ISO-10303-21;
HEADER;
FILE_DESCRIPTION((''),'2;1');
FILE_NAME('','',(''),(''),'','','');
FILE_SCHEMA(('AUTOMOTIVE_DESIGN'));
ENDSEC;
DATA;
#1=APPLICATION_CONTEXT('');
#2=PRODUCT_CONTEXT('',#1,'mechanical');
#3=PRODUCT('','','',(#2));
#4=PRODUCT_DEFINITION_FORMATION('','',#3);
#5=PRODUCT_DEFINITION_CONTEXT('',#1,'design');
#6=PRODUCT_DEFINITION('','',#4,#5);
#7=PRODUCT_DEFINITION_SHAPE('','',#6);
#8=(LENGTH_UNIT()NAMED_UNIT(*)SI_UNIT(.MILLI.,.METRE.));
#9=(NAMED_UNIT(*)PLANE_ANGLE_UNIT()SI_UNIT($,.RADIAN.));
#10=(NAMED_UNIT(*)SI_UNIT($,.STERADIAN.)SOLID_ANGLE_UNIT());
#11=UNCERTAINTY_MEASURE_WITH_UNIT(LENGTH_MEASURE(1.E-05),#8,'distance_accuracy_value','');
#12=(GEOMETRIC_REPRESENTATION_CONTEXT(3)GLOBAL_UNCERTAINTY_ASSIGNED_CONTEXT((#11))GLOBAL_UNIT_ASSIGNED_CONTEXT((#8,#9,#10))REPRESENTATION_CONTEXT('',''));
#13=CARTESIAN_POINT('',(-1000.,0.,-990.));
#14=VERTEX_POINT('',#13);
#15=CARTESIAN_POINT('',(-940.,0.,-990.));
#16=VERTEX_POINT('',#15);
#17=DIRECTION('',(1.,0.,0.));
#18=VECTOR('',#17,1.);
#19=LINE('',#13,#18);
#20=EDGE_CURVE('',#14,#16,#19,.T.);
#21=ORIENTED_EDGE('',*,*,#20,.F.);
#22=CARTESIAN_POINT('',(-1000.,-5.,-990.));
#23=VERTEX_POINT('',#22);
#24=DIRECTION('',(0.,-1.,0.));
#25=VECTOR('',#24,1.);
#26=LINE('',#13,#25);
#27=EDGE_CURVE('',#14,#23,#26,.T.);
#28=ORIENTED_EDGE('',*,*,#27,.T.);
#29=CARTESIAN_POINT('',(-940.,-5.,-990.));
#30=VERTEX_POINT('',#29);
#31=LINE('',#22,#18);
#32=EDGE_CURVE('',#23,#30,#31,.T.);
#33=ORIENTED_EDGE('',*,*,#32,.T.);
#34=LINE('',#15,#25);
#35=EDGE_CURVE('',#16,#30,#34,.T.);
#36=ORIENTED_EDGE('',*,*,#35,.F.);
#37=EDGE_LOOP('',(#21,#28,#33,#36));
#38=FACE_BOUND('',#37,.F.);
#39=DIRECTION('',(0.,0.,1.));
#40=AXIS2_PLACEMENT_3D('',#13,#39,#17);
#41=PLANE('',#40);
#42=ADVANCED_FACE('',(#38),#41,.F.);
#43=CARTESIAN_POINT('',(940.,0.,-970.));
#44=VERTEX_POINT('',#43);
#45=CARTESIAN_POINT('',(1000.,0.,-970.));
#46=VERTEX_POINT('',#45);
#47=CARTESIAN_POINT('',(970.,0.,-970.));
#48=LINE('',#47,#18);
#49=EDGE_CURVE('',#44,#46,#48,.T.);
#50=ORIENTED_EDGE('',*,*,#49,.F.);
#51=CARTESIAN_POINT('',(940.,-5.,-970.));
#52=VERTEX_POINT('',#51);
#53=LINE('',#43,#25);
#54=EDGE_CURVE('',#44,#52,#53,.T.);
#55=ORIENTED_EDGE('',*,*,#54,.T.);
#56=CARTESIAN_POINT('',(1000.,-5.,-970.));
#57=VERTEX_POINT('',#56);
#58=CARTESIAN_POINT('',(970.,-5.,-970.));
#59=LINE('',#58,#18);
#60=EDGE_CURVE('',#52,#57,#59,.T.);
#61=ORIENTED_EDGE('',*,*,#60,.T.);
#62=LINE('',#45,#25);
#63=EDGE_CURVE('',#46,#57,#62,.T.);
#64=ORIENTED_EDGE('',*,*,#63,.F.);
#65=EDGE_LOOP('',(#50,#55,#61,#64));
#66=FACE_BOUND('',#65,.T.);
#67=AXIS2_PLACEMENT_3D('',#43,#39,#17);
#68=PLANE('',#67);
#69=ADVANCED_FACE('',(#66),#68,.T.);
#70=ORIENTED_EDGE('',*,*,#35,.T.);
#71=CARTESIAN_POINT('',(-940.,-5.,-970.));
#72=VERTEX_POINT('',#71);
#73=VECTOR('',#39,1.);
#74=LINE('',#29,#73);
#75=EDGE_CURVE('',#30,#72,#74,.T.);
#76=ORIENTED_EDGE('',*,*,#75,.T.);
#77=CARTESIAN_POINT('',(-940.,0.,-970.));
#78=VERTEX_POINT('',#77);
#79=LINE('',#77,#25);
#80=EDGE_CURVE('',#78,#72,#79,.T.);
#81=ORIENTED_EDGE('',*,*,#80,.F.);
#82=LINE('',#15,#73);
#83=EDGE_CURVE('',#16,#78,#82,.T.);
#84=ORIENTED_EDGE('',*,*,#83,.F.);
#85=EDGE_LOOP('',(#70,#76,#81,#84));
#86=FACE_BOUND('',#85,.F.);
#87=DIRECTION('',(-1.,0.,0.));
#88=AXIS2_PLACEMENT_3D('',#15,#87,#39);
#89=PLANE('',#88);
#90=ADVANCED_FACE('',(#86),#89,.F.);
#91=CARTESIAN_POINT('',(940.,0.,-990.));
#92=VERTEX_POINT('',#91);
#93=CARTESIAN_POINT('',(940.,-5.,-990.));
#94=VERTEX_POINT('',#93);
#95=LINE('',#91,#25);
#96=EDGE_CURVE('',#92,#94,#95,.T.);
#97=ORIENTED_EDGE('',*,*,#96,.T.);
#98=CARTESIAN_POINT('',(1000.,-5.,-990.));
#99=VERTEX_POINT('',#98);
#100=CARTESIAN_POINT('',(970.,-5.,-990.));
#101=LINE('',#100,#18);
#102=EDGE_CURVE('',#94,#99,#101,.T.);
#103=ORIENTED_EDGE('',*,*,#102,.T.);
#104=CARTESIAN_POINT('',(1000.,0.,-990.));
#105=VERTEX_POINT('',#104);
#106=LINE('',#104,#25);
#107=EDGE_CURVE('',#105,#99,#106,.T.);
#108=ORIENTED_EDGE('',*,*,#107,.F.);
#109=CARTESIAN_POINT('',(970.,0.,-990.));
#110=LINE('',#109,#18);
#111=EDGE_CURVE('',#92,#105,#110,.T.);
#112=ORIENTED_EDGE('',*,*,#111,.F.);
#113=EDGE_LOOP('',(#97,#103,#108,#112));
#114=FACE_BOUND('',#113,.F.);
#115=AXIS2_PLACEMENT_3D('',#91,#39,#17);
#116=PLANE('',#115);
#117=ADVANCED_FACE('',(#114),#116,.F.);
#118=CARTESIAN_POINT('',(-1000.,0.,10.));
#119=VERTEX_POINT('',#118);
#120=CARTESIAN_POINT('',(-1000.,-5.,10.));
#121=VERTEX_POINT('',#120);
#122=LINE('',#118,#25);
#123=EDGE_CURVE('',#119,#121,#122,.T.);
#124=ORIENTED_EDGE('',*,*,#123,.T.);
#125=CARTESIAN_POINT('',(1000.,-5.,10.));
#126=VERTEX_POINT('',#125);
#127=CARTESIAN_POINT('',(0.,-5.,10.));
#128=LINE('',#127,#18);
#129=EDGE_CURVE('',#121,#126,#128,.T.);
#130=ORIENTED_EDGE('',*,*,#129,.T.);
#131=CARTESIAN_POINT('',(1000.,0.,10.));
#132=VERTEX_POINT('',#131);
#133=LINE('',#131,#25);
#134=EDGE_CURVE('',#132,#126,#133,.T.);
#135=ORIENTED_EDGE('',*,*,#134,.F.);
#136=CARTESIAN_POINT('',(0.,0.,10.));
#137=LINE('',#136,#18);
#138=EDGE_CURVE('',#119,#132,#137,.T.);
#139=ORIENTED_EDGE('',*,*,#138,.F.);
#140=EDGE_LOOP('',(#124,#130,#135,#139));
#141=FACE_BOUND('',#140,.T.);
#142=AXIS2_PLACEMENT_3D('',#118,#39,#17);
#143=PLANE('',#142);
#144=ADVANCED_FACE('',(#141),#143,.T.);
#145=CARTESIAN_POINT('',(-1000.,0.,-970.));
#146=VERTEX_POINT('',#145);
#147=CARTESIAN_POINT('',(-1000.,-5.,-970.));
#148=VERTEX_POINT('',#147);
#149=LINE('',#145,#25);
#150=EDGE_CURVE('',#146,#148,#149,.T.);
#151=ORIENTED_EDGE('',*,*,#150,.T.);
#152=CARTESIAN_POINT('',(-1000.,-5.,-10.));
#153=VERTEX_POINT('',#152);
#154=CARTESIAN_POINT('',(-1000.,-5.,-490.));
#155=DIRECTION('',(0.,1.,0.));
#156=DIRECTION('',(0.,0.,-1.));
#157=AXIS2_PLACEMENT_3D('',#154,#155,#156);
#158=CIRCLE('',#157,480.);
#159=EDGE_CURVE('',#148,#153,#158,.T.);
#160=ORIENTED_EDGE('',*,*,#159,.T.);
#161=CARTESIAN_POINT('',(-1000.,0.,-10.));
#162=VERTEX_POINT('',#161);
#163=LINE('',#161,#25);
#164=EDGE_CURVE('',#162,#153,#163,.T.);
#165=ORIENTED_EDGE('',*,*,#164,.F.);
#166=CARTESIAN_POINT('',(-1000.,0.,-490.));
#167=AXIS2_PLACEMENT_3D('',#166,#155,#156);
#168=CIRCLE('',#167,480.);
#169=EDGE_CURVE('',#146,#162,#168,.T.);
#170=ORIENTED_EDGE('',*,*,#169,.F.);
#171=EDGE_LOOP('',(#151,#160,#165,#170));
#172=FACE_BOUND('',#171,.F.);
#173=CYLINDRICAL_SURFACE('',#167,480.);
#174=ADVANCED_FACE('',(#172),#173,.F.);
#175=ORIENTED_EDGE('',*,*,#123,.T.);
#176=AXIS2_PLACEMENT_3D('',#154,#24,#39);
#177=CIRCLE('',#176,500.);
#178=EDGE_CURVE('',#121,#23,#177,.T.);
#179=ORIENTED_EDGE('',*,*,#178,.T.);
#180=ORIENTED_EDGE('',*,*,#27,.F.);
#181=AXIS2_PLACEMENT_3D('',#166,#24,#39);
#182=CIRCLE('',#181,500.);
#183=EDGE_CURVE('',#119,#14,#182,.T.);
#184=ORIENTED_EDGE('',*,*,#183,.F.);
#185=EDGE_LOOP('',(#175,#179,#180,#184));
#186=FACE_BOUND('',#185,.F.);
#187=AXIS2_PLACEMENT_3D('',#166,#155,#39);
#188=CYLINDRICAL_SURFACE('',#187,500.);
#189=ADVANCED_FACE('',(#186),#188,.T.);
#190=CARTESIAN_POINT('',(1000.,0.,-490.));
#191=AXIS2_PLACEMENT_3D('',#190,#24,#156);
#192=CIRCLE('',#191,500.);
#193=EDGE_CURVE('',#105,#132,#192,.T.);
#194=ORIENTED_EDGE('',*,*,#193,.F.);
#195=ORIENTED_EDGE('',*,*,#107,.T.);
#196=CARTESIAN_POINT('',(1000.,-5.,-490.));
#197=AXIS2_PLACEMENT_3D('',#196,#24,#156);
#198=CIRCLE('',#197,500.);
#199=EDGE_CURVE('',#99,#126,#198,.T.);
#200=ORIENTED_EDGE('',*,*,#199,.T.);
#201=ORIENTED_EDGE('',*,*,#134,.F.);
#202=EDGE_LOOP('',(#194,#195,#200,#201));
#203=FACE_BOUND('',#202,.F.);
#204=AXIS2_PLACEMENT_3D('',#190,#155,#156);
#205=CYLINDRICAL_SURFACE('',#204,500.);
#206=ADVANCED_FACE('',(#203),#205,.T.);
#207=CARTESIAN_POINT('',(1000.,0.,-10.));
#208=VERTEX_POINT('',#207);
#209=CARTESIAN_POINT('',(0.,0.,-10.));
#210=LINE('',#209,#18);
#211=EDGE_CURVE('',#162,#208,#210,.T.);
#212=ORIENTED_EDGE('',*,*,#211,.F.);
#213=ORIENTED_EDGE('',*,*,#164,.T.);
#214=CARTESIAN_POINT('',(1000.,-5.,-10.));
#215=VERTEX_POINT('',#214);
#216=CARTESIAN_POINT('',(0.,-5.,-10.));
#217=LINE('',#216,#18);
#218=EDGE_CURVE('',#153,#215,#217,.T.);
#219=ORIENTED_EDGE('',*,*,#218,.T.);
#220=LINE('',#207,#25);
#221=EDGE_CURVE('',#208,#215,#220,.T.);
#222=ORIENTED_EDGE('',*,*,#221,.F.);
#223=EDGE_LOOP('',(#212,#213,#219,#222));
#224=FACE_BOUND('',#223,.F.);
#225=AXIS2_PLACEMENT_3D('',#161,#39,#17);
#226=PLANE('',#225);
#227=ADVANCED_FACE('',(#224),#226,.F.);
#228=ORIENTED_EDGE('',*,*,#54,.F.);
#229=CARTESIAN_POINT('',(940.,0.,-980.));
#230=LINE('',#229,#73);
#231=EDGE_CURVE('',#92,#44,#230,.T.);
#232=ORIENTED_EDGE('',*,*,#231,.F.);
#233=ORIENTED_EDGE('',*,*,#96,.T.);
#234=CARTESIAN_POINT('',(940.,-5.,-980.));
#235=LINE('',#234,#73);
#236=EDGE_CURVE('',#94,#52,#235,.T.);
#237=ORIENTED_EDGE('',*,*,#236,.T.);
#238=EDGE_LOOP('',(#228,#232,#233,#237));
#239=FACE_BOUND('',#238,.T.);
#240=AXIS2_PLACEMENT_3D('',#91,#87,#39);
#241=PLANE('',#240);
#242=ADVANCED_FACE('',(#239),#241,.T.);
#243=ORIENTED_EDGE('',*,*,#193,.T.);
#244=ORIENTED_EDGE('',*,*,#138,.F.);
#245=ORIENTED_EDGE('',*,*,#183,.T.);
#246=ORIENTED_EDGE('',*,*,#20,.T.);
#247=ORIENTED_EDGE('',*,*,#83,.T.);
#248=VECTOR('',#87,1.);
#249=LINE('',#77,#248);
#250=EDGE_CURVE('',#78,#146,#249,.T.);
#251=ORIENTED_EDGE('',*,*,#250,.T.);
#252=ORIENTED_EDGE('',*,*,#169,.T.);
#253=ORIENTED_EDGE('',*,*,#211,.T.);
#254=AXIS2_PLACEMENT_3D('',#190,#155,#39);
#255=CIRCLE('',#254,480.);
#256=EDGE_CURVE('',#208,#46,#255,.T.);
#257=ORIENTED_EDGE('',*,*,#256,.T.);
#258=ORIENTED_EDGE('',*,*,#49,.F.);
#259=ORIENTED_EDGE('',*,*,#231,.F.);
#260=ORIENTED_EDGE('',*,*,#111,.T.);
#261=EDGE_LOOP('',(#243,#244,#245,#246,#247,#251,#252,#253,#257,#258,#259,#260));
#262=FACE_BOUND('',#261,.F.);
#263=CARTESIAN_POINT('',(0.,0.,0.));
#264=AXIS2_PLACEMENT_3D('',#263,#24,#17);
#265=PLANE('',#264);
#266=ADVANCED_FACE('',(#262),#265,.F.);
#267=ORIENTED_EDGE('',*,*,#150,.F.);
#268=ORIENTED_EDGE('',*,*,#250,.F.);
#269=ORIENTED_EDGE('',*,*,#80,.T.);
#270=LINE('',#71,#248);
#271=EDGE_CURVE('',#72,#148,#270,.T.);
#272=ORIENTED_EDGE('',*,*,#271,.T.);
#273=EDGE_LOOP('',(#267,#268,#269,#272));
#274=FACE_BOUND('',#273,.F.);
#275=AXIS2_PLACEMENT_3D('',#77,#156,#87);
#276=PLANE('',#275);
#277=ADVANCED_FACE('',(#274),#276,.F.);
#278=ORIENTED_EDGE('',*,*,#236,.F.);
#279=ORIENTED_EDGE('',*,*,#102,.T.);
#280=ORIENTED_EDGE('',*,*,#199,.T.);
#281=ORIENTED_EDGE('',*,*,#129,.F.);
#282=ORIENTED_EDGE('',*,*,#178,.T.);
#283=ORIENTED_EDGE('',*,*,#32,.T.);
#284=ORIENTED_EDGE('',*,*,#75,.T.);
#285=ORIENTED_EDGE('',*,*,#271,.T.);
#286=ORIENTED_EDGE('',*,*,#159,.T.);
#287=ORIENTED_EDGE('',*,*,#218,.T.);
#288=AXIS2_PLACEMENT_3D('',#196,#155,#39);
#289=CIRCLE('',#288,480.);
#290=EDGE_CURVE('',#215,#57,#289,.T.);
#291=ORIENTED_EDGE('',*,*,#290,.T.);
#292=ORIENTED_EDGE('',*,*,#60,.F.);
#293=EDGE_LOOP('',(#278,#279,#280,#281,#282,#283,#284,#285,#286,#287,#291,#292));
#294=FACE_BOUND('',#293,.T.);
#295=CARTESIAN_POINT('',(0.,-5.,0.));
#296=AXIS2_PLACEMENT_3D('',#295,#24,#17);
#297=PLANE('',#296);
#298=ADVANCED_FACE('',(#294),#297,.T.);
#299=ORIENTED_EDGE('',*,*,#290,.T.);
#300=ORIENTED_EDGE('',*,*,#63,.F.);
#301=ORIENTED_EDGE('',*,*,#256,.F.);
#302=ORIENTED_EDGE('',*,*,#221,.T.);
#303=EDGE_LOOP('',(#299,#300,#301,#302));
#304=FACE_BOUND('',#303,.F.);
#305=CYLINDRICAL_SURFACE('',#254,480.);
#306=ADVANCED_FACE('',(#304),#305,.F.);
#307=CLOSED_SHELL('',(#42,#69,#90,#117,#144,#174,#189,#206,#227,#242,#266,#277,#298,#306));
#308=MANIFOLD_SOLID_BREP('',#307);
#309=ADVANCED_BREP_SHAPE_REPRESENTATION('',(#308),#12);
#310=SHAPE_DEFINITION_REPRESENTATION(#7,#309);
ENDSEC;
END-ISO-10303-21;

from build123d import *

# Parameters (mm, degrees)
F0_W     = 2000
F0_H     = 20
F0_W_2   = 60
F1_DEPTH = 5


with BuildPart() as f1:
    # F0 (on Front) → F1 (new body)
    with BuildSketch(Plane.XZ):
        Rectangle(F0_W, F0_H)
        with BuildLine():
            Line((-1000, -10), (-1000, 10))
            ThreePointArc((-1000, 10), (-1500, -490), (-1000, -990))
            Line((-1000, -990), (-940, -990))
            Line((-940, -990), (-940, -970))
            Line((-940, -970), (-1000, -970))
            ThreePointArc((-1000, -970), (-1480, -490), (-1000, -10))
        make_face()
        with BuildLine():
            ThreePointArc((1000, -990), (1500, -490), (1000, 10))
            Line((1000, 10), (1000, -10))
            ThreePointArc((1000, -10), (1480, -490), (1000, -970))
            Line((1000, -970), (1000, -990))
        make_face()
        with Locations((970, -980)):
            Rectangle(F0_W_2, F0_H)
    extrude(amount=F1_DEPTH)


solid = f1.part
